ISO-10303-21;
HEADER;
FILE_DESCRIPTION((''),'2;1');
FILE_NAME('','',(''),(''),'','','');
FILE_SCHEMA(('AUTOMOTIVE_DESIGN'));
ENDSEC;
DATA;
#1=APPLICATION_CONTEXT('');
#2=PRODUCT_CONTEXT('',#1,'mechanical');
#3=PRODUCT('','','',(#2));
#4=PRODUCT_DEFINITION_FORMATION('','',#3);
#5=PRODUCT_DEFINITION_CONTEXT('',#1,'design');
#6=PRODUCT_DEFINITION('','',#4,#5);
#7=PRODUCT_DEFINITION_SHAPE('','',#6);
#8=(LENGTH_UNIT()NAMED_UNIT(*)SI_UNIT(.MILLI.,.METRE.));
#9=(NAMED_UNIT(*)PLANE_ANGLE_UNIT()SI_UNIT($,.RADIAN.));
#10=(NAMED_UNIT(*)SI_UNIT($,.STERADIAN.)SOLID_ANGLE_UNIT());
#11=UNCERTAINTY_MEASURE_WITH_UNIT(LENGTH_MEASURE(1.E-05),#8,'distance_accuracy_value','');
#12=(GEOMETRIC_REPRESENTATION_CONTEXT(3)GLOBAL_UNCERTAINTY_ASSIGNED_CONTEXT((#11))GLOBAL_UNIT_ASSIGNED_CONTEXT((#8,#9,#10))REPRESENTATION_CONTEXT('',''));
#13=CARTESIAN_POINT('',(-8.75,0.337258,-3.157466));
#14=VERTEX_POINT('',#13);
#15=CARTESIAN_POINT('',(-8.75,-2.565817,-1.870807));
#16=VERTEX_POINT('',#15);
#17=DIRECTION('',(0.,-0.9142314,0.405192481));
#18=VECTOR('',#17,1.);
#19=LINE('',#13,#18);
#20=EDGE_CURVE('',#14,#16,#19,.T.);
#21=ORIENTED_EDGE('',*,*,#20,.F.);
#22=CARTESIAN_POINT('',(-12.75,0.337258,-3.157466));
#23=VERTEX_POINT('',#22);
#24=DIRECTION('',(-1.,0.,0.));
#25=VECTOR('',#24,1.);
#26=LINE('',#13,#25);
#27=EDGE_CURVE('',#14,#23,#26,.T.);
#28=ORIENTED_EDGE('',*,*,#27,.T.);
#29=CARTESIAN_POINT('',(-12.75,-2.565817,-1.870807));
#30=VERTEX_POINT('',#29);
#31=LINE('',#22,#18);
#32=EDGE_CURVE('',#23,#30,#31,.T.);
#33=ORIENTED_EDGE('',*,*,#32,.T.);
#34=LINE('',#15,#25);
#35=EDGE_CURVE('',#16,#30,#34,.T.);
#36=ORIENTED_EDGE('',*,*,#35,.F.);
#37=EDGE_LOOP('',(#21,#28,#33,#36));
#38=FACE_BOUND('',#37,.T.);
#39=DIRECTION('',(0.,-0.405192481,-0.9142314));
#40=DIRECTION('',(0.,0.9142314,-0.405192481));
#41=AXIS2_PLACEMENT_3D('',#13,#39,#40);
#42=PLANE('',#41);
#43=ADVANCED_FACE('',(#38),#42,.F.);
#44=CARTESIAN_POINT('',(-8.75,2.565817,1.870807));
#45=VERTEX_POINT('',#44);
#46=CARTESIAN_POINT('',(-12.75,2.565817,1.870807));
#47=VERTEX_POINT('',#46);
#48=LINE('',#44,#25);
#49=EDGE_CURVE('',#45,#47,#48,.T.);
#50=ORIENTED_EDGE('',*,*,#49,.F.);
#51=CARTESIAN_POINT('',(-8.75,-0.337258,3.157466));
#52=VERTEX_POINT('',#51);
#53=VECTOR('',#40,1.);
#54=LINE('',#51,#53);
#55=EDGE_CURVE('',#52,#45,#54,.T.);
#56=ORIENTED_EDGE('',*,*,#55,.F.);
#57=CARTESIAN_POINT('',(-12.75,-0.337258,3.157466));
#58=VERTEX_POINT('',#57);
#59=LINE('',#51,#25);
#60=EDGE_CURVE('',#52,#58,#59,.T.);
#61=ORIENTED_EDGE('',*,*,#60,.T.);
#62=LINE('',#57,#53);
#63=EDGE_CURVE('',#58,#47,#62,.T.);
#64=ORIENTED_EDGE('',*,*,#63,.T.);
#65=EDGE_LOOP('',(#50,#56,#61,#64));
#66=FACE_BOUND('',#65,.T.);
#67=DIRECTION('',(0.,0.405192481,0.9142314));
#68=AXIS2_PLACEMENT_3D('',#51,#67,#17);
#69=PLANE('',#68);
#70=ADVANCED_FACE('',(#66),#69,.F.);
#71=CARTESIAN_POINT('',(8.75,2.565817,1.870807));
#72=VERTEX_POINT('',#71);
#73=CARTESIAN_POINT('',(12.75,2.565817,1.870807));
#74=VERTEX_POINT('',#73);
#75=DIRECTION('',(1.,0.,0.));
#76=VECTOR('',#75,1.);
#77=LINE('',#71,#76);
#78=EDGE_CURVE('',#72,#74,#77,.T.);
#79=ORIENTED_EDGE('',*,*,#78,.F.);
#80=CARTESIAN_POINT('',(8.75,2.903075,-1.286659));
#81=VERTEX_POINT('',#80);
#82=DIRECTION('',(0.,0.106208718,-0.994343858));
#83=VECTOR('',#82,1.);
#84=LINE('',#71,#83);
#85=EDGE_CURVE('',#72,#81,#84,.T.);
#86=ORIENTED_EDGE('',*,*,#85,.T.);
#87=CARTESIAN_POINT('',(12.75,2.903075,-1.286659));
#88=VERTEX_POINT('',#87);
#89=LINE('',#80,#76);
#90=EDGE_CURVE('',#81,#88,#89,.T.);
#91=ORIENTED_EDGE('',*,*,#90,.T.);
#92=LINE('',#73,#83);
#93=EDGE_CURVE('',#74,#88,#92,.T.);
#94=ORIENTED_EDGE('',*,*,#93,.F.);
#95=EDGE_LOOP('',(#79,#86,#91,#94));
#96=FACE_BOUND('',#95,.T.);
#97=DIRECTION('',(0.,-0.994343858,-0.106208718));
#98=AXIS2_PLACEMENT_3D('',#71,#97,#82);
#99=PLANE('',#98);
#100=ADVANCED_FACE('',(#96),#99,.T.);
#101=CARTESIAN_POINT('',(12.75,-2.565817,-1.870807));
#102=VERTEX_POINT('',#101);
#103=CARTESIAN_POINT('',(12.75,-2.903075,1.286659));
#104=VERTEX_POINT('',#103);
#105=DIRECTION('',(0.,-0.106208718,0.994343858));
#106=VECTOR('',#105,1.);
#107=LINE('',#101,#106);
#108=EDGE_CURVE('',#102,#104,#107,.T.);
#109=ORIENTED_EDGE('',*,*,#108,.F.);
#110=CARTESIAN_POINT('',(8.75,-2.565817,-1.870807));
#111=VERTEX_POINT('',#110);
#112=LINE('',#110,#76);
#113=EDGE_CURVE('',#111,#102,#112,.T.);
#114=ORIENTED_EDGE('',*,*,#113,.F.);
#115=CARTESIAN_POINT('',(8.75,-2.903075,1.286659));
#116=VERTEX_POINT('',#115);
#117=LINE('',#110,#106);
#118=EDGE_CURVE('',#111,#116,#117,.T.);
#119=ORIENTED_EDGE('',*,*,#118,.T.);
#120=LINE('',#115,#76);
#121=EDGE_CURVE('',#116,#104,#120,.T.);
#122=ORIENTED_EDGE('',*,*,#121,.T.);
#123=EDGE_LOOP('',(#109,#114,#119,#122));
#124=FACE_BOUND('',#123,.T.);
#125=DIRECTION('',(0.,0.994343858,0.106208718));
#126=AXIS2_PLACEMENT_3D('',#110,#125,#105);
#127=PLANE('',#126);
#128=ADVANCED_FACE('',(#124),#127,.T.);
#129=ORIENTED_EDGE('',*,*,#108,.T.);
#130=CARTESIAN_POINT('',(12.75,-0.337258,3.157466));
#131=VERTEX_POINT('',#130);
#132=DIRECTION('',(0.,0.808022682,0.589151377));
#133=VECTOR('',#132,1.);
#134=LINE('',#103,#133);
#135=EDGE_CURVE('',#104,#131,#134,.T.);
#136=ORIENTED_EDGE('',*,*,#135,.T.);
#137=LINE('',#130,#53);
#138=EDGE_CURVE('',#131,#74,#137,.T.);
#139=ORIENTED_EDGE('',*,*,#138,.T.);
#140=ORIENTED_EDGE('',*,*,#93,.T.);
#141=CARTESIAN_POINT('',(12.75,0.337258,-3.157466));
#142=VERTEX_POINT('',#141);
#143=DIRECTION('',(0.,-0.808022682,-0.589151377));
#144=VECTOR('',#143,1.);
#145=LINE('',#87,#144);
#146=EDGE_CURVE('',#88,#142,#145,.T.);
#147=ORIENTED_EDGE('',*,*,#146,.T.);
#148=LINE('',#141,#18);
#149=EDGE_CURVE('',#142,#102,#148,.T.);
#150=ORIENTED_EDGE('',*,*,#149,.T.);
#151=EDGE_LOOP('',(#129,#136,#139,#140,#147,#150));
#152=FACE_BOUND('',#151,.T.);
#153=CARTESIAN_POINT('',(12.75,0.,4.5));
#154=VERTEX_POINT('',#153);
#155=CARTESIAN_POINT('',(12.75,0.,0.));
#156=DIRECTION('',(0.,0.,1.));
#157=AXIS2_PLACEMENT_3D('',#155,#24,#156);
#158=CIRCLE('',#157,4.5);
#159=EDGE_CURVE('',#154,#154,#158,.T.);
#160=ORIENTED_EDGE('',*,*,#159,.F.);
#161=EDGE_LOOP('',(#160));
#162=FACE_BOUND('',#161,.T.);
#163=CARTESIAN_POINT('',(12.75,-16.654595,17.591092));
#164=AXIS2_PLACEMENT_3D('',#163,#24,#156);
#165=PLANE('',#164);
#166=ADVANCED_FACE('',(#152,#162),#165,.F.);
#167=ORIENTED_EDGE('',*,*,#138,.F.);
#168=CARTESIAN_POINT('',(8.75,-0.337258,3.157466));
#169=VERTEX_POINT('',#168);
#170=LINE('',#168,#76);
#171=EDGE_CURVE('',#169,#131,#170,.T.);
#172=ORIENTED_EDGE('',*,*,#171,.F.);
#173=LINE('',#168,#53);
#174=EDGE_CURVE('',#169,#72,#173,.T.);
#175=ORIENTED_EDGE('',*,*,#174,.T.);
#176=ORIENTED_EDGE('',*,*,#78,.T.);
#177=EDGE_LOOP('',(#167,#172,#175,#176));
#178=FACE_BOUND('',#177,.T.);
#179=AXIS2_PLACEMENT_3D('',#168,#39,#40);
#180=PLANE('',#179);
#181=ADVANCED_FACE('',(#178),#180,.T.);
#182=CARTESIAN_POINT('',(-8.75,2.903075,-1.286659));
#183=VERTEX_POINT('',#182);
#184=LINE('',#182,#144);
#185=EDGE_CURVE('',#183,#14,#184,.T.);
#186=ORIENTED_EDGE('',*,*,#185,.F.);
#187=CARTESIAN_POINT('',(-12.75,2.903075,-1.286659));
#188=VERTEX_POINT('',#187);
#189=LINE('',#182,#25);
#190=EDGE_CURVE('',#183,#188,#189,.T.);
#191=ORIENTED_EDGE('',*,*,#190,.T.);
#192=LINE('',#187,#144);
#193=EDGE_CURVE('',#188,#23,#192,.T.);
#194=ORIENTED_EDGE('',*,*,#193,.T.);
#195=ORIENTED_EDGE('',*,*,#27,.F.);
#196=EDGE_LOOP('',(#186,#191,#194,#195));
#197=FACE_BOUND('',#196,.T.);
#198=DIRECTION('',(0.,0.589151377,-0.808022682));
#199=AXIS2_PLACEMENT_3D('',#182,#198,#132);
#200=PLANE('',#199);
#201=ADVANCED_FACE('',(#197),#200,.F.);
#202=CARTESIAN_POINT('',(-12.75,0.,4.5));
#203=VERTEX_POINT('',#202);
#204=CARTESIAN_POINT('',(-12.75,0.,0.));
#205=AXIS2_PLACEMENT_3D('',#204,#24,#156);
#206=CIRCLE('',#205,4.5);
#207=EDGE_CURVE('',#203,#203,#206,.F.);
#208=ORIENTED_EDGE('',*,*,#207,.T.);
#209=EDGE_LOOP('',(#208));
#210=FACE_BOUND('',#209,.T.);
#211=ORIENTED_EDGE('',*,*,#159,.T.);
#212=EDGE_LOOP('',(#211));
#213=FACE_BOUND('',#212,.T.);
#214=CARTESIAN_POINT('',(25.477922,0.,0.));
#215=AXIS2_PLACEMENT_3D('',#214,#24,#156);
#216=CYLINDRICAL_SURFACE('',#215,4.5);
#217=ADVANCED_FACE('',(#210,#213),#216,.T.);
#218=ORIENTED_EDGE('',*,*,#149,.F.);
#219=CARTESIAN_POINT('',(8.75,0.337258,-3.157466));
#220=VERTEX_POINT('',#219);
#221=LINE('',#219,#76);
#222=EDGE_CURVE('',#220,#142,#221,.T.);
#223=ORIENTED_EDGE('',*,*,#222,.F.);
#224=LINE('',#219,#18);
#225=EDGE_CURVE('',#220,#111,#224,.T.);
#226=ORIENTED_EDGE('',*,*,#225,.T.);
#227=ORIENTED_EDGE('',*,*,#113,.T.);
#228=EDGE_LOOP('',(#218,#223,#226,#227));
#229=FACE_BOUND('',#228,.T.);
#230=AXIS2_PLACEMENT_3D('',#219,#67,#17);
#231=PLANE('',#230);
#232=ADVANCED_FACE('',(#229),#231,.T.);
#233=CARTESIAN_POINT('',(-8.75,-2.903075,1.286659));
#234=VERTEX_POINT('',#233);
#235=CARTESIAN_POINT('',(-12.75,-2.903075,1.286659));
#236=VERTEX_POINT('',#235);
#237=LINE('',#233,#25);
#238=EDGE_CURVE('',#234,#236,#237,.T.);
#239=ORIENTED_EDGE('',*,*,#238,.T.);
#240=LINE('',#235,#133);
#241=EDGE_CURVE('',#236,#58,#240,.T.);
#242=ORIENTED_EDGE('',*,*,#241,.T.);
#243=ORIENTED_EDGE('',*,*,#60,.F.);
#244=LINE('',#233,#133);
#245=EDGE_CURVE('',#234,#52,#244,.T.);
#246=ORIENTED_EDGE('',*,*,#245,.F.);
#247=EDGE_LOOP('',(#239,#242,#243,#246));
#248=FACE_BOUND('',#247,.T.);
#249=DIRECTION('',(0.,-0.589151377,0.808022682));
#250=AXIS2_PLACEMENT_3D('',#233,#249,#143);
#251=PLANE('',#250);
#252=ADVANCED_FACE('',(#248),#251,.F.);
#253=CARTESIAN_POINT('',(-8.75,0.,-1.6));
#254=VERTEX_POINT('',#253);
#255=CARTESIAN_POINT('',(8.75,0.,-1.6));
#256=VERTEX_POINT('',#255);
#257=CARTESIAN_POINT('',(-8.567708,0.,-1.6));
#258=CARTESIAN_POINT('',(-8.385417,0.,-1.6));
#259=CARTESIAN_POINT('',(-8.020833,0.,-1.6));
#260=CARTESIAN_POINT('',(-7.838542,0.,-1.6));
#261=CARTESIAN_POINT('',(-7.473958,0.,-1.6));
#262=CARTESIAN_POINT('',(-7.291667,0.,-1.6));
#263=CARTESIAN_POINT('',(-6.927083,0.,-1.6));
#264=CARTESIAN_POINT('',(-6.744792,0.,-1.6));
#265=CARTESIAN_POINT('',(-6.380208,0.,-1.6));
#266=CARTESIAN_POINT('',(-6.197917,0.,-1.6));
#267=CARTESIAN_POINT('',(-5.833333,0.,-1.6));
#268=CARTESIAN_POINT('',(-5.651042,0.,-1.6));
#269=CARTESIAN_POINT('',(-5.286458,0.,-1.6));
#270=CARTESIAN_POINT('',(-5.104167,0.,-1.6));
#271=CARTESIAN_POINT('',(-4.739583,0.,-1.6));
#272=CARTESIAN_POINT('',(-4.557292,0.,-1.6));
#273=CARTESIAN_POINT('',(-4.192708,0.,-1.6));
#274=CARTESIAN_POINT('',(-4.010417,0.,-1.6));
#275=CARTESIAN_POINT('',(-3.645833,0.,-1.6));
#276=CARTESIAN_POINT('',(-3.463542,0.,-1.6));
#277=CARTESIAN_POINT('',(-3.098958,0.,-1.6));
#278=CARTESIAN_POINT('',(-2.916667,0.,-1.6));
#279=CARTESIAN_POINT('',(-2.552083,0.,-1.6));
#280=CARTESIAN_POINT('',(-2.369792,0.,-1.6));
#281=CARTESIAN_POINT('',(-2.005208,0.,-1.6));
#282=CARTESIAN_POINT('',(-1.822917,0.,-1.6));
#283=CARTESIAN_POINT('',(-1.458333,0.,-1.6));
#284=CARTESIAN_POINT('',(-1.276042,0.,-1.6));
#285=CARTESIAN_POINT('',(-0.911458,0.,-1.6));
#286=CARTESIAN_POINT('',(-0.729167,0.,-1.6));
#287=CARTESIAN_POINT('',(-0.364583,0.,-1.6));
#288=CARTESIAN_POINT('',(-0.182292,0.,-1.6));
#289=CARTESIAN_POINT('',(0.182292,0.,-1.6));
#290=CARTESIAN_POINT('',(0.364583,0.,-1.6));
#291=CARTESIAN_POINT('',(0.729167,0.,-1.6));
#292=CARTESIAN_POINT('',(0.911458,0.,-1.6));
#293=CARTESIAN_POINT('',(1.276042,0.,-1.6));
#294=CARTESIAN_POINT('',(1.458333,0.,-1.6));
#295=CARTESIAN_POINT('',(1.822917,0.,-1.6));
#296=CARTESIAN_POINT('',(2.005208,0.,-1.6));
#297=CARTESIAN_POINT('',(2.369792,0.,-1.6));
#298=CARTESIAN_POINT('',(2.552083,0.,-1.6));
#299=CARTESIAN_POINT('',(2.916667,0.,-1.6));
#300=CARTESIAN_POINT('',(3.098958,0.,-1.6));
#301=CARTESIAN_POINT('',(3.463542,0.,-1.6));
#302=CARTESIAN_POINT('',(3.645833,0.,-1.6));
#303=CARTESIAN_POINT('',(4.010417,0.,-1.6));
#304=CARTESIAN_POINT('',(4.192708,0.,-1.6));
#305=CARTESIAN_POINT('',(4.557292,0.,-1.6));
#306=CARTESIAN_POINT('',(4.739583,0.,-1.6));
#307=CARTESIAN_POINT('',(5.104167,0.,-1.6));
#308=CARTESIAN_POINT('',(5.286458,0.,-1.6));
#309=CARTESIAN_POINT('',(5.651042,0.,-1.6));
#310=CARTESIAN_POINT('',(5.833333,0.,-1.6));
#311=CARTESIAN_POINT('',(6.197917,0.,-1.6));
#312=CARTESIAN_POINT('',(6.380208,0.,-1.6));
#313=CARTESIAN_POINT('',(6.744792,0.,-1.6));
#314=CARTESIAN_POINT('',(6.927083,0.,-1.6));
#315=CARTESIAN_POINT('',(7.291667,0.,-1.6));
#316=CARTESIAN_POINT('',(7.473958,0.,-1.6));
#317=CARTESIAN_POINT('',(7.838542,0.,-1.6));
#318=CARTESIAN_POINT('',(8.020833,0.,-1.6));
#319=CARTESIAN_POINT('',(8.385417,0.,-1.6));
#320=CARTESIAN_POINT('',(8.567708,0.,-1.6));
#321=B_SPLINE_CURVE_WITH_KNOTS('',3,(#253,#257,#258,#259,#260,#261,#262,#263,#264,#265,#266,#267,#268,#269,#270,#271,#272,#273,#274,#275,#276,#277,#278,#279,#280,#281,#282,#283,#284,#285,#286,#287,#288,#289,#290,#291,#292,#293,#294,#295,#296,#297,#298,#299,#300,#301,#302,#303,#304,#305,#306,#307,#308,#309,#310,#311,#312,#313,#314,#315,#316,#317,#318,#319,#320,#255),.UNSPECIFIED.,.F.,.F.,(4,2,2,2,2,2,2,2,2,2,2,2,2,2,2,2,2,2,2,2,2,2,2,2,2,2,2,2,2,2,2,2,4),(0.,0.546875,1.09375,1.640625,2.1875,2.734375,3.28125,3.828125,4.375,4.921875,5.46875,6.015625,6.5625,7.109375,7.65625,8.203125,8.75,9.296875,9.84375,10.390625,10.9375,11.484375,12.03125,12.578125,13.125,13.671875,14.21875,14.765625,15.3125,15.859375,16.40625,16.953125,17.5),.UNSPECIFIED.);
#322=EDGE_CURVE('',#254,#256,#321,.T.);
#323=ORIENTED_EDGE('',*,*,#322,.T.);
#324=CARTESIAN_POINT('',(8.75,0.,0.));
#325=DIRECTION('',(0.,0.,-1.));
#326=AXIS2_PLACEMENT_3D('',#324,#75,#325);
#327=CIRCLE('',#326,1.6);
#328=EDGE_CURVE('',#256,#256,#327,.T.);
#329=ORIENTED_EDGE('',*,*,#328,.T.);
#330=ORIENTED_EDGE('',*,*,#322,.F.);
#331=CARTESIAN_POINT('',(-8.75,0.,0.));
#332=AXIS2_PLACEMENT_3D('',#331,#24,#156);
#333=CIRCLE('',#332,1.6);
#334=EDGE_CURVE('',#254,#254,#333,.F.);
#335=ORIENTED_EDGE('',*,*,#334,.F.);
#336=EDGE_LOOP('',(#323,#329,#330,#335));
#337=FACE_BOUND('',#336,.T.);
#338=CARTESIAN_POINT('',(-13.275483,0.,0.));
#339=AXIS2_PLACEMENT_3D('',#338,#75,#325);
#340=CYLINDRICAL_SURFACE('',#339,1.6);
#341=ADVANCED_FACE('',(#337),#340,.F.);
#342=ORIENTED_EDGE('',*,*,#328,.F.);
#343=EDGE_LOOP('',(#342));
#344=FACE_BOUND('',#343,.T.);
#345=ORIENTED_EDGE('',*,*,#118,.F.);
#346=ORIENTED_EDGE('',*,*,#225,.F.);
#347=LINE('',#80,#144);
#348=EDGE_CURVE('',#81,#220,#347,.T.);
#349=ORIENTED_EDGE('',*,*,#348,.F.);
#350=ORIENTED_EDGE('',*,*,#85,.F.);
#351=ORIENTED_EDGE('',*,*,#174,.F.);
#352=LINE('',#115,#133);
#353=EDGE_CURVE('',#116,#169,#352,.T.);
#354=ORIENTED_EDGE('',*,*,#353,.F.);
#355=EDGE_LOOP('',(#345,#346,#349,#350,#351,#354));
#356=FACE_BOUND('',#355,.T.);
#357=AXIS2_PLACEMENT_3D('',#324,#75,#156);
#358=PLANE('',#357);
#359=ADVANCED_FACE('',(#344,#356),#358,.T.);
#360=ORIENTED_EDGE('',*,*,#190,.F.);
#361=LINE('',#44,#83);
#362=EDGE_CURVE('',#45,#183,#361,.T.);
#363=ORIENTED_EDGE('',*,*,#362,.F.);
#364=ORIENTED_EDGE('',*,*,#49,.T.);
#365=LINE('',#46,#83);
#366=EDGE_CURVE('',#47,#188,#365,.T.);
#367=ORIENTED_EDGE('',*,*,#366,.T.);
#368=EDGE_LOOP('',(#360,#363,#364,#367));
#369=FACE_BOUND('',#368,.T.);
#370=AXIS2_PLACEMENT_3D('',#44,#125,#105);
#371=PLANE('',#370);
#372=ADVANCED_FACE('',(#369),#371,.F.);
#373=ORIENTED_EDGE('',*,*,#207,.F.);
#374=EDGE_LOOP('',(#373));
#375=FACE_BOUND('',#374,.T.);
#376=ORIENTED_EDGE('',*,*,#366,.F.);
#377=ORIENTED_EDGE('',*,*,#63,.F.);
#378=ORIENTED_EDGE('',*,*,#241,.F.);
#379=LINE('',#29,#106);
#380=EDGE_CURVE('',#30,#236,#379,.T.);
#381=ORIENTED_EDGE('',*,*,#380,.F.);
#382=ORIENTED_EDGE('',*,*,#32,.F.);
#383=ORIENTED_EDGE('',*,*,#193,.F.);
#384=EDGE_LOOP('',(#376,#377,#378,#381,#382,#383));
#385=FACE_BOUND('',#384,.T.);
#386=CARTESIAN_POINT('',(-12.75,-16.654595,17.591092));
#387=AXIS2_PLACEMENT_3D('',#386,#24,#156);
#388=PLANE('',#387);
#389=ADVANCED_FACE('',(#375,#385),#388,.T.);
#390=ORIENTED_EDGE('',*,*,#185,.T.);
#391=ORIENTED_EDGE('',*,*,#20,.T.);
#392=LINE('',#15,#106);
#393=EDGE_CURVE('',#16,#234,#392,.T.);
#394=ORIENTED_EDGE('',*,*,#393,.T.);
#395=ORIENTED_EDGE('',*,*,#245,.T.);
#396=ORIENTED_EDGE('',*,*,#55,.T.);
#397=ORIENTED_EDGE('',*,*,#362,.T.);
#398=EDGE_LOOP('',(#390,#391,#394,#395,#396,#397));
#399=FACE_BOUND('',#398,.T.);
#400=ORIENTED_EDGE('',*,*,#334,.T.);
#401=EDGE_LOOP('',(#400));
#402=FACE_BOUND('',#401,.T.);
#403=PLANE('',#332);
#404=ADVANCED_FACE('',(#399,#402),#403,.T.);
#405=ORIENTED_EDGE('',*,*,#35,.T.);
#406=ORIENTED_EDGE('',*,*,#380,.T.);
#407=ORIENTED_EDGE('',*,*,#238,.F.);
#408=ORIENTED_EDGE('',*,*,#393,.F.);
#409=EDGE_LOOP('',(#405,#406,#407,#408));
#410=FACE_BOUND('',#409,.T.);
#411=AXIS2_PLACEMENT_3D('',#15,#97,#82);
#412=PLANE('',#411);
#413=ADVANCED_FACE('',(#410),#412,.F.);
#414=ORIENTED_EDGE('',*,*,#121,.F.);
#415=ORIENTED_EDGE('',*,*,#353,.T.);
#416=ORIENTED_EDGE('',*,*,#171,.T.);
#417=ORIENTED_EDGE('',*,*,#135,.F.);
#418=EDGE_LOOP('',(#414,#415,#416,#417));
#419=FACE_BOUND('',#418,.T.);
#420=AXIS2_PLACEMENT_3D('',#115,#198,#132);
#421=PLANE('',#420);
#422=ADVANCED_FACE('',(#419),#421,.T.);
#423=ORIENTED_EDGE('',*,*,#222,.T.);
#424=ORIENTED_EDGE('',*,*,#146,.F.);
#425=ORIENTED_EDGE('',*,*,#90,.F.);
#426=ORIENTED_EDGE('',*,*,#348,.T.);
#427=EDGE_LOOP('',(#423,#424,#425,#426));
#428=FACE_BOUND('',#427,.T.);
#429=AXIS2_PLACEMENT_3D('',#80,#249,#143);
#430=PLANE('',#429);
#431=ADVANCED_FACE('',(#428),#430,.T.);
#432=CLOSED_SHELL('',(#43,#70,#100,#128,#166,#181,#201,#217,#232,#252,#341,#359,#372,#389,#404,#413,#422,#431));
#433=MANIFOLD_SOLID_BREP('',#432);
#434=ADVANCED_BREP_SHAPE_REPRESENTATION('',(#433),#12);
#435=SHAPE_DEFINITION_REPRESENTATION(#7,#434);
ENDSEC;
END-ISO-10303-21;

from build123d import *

# Parameters (mm, degrees)
BOSS_EXTRUDE1_DEPTH            = 12.75
BOSS_EXTRUDE1_DEPTH_BACK       = 12.75
SKETCH1_R                      = 4.5
CUT_EXTRUDE1_DEPTH             = 4
CUT_EXTRUDE3_REACH             = 16.25
SKETCH4_R                      = 1.6
CUT_EXTRUDE3_DIRECTION_2_REACH = 16.25


with BuildPart() as part:
    # Sketch1 → Boss-Extrude1 (new, two sides: drawn at the far end of the back side and taken through both)
    with BuildSketch(Plane(origin=(0, 0, 0), x_dir=(0, 0, -1), z_dir=(1, 0, 0)).offset(-BOSS_EXTRUDE1_DEPTH_BACK)):
        with Locations(Location((0, 0, 0), (0, 0, 180))):
            Circle(SKETCH1_R)
    extrude(amount=BOSS_EXTRUDE1_DEPTH + BOSS_EXTRUDE1_DEPTH_BACK)

    # Sketch2 → Cut-Extrude1 (cut)
    with BuildSketch(Plane.ZY.offset(12.75)):
        Polygon((3.157465818, -0.337257977), (1.870806885, 2.565816621), (-1.286658933, 2.903074598), (-3.157465818, 0.337257977), (-1.870806885, -2.565816621), (1.286658933, -2.903074598), align=None)
    cut_extrude1 = extrude(amount=-CUT_EXTRUDE1_DEPTH, mode=Mode.SUBTRACT)

    # Mirror1: Cut-Extrude1 across plane
    add(cut_extrude1.mirror(Plane(origin=(0, 0, 0), x_dir=(0, 0, 1), z_dir=(1, 0, 0))), mode=Mode.SUBTRACT)

    # Cut-Extrude3: up to this face of the body (flat: up to its plane)
    cut_extrude3_end = Plane(part.part.faces().sort_by_distance((-8.75, 0, 0))[0])
    # Sketch4 → Cut-Extrude3 (cut, up to the picked face)
    with BuildSketch(Plane(origin=(0, 0, 0), x_dir=(0, 0, -1), z_dir=(1, 0, 0)), mode=Mode.PRIVATE) as cut_extrude3_sk1:
        Circle(SKETCH4_R)
    cut_extrude3_tool1 = split(extrude(cut_extrude3_sk1.sketch, amount=-CUT_EXTRUDE3_REACH, mode=Mode.PRIVATE), bisect_by=cut_extrude3_end, keep=Keep.BOTH, mode=Mode.PRIVATE)
    add(cut_extrude3_tool1.solids().sort_by(Axis((0, 0, 0), (-1, 0, 0)))[0], mode=Mode.SUBTRACT)

    # Cut-Extrude3 direction 2: up to this face of the body (flat: up to its plane)
    cut_extrude3_direction_2_end = Plane(part.part.faces().sort_by_distance((8.75, 0, 0))[0])
    # Sketch4 → Cut-Extrude3 direction 2 (cut, up to the picked face)
    with BuildSketch(Plane(origin=(0, 0, 0), x_dir=(0, 0, -1), z_dir=(1, 0, 0)), mode=Mode.PRIVATE) as cut_extrude3_direction_2_sk1:
        Circle(SKETCH4_R)
    cut_extrude3_direction_2_tool1 = split(extrude(cut_extrude3_direction_2_sk1.sketch, amount=CUT_EXTRUDE3_DIRECTION_2_REACH, mode=Mode.PRIVATE), bisect_by=cut_extrude3_direction_2_end, keep=Keep.BOTH, mode=Mode.PRIVATE)
    add(cut_extrude3_direction_2_tool1.solids().sort_by(Axis((0, 0, 0), (1, 0, 0)))[0], mode=Mode.SUBTRACT)


solid = part.part
